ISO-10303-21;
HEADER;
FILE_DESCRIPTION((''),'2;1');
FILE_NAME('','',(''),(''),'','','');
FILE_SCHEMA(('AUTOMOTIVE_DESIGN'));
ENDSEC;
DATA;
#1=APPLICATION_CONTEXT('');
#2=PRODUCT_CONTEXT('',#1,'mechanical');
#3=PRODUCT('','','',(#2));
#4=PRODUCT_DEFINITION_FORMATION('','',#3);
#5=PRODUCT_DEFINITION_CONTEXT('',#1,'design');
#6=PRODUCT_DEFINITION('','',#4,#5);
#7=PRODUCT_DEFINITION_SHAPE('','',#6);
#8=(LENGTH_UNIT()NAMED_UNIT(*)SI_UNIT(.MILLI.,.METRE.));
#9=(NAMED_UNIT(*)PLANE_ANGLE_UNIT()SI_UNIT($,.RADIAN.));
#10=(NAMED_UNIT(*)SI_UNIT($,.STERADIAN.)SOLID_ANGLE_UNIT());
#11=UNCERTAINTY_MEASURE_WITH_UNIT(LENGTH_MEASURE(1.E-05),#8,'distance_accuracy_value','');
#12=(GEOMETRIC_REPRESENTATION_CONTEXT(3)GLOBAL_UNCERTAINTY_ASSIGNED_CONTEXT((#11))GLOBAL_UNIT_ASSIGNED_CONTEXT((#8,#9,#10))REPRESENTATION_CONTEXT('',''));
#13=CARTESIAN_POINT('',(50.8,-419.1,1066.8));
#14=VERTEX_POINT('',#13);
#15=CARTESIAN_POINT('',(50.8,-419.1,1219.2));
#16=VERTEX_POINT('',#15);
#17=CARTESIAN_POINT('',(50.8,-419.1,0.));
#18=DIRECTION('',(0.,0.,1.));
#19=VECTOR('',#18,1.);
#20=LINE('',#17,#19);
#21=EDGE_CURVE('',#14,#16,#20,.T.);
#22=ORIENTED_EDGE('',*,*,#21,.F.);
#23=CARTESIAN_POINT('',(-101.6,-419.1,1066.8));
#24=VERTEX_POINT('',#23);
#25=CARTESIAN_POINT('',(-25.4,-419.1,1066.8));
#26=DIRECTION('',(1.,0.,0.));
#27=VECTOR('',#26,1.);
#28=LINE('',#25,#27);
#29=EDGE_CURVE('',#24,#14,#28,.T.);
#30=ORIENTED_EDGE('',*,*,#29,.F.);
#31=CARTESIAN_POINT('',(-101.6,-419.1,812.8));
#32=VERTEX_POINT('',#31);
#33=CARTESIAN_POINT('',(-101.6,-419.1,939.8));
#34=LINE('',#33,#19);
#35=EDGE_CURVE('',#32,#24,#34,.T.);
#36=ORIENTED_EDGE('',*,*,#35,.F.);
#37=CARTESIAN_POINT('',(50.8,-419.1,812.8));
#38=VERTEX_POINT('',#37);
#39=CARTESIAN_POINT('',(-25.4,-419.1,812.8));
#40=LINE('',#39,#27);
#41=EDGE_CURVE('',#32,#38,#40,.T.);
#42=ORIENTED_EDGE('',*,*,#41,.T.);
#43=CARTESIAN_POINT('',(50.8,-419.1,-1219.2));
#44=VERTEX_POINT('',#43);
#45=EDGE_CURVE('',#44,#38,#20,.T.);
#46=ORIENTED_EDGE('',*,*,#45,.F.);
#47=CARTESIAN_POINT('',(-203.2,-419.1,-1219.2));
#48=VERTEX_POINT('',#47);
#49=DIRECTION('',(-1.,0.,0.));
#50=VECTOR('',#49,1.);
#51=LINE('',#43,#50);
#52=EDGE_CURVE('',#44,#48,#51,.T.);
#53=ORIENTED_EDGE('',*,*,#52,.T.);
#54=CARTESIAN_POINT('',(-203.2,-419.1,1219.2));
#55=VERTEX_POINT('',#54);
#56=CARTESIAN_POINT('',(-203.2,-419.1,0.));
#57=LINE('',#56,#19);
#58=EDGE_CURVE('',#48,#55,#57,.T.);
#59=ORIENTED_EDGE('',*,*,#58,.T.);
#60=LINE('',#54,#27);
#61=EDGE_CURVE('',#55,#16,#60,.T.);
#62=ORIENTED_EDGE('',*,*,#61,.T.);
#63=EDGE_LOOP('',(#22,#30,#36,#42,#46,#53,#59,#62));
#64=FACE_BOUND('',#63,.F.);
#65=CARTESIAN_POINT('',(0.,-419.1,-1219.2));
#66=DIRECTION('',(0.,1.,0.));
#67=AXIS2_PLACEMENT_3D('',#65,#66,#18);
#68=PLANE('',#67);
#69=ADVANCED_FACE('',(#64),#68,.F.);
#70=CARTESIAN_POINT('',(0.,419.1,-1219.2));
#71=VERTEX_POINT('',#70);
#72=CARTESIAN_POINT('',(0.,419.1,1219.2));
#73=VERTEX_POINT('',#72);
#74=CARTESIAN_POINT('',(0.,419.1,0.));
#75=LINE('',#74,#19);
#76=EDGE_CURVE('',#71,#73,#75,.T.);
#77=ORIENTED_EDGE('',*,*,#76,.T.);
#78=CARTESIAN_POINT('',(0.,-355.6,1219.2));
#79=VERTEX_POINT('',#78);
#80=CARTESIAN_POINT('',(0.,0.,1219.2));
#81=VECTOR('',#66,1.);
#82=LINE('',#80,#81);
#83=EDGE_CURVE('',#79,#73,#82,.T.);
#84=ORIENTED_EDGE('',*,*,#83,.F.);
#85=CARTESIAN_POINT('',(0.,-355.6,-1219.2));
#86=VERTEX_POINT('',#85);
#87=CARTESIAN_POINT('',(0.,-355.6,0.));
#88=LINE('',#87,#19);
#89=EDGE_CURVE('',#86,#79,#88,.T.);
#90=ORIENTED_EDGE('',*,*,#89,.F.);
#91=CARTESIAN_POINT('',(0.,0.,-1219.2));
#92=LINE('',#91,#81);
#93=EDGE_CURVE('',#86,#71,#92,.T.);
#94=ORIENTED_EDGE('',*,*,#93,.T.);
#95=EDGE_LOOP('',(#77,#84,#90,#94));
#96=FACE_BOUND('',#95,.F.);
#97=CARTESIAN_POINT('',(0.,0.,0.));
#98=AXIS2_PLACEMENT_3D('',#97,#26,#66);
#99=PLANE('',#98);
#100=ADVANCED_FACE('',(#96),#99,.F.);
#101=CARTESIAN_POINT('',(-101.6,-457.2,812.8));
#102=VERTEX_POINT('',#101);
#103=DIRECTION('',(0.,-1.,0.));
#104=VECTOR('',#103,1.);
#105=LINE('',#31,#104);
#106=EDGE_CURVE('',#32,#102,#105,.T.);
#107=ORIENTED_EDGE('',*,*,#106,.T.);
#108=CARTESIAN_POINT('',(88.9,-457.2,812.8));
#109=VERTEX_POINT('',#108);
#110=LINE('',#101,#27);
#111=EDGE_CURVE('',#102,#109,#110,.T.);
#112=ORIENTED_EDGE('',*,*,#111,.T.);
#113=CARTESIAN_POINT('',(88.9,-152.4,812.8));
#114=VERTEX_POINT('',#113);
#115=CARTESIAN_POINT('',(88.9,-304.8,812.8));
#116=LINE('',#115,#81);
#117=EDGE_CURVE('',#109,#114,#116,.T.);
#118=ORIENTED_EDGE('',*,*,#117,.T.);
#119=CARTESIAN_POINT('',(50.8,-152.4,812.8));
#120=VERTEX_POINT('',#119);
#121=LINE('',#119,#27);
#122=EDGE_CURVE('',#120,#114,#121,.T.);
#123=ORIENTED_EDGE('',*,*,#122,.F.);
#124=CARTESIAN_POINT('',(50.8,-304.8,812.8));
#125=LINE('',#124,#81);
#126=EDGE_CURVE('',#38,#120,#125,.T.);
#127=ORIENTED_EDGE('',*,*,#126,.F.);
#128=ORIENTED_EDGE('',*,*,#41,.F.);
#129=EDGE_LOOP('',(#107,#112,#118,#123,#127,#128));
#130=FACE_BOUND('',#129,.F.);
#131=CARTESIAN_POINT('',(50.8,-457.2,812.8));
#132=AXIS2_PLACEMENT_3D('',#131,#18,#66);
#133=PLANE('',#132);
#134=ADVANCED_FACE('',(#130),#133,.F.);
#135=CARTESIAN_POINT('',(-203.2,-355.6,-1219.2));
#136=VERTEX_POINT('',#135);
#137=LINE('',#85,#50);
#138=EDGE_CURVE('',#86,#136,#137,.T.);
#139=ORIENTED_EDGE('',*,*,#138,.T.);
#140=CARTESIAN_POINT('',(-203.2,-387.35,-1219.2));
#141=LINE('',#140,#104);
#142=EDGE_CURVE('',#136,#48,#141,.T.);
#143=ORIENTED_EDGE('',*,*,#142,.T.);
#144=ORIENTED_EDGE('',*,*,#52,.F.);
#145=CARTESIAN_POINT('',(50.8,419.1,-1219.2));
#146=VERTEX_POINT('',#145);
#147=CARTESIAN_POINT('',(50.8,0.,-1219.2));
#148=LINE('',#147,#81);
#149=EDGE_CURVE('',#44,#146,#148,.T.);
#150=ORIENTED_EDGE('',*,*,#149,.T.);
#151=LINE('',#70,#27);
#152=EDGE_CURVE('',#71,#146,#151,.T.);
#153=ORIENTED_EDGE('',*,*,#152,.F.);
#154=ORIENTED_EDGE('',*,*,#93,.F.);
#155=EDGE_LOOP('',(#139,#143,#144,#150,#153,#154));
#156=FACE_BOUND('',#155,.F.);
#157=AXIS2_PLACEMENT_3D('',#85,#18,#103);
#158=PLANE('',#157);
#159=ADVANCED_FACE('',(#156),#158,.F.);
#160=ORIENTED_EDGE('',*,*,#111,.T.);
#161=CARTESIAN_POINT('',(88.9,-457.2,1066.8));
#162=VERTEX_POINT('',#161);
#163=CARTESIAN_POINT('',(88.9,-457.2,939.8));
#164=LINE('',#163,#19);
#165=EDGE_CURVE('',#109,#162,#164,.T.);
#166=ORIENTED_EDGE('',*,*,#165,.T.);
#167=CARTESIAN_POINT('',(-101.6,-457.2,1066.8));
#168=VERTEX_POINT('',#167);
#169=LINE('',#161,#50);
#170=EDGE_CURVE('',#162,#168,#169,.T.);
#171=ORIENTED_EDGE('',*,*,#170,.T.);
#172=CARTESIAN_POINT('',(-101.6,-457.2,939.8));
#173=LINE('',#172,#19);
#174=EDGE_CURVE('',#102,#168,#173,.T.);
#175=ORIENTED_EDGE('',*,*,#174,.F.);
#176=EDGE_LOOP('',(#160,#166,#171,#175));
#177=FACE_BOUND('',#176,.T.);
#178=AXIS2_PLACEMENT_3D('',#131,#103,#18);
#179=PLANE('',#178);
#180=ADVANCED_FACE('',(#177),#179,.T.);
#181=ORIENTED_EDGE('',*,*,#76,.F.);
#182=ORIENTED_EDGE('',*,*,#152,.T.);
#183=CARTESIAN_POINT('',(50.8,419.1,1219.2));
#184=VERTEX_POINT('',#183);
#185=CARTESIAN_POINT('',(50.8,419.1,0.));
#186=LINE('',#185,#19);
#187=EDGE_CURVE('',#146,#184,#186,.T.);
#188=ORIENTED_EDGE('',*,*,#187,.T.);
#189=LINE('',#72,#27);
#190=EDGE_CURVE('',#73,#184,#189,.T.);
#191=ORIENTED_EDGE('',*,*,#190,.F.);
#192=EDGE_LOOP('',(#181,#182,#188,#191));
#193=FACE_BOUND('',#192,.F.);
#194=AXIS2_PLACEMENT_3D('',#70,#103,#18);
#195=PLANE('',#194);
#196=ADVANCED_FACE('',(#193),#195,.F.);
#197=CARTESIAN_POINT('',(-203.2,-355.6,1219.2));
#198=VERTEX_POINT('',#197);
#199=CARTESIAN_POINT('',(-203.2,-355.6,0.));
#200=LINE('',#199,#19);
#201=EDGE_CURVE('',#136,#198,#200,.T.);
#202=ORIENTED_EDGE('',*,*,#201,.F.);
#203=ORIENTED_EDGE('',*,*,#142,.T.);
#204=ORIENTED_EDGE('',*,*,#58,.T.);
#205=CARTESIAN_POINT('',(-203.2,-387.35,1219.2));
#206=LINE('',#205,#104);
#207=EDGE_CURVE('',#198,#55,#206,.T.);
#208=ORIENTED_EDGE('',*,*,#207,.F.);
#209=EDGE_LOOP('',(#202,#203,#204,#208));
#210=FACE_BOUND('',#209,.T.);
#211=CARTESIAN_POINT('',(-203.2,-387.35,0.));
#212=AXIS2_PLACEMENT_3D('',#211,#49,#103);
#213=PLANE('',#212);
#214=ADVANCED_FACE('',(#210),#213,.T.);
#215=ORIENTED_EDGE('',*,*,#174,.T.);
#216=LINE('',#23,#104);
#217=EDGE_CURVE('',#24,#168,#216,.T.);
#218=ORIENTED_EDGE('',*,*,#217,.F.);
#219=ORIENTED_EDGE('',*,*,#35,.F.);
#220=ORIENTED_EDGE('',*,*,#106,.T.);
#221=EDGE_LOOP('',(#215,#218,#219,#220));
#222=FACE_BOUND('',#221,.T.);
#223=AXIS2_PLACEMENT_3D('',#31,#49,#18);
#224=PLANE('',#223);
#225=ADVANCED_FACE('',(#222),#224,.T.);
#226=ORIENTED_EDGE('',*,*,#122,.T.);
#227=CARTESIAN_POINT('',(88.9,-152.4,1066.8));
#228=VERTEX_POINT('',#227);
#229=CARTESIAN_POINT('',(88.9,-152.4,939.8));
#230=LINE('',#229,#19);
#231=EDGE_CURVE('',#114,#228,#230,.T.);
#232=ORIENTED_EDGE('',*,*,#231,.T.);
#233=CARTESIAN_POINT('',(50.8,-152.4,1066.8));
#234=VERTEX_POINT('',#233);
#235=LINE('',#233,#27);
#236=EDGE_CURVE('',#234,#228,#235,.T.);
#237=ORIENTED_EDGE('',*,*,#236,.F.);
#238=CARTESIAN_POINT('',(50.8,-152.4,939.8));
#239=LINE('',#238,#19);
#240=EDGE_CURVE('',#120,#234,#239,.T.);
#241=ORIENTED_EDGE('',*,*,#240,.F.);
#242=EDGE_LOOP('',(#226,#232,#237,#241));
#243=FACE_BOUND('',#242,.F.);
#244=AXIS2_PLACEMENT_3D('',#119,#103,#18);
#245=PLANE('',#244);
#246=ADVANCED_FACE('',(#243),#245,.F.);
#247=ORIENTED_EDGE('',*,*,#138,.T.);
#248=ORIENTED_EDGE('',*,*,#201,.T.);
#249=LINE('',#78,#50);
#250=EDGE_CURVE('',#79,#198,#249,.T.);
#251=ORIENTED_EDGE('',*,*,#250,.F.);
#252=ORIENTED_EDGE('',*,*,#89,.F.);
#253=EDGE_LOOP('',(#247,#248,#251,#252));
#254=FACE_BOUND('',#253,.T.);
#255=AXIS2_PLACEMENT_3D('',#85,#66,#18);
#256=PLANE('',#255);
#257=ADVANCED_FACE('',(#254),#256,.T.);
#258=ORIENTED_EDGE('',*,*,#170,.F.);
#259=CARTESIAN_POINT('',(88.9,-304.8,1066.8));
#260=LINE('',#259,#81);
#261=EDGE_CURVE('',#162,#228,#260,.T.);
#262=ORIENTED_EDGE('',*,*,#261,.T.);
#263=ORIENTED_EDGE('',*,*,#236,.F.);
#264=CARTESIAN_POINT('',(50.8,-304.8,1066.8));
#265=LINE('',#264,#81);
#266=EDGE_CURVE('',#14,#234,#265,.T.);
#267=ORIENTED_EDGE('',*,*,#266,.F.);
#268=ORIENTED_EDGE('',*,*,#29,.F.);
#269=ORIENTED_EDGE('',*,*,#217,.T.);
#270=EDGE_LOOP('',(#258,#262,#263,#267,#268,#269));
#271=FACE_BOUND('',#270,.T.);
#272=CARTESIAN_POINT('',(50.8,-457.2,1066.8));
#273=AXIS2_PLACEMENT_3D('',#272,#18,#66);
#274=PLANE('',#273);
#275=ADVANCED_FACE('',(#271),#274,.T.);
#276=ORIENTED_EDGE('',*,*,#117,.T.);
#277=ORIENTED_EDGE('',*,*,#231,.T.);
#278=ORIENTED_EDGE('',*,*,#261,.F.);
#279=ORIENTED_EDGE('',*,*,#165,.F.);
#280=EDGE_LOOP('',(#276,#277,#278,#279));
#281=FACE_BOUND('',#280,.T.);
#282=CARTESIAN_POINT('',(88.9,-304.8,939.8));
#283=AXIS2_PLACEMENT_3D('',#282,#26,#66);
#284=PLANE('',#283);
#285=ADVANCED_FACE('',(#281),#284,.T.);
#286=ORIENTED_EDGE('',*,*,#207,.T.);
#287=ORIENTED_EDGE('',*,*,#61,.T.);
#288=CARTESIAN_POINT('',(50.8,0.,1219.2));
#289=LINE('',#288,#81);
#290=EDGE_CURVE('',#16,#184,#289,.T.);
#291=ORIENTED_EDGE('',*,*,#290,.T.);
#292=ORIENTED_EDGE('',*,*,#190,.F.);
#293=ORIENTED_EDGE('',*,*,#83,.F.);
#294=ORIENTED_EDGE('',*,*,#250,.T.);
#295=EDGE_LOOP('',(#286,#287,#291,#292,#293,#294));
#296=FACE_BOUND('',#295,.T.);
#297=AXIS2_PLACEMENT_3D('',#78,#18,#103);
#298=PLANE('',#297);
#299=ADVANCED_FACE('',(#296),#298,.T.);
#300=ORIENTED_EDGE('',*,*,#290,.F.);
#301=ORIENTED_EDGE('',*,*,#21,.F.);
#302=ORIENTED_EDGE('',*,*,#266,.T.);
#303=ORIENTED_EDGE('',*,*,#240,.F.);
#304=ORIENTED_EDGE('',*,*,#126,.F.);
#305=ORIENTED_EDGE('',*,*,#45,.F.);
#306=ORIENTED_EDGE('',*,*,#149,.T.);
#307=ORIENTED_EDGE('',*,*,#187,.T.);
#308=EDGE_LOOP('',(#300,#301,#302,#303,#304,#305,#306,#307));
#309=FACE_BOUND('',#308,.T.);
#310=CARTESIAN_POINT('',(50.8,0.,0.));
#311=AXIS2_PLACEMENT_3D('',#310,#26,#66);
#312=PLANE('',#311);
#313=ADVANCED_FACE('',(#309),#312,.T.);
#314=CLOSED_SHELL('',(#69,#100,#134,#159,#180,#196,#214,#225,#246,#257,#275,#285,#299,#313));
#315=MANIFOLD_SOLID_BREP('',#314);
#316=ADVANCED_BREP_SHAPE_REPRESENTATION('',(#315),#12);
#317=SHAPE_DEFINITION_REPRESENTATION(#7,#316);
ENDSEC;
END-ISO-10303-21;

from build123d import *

# Parameters (mm, degrees)
F0_W     = 838.2
F0_H     = 2438.4
F1_DEPTH = 50.8
F2_W     = 63.5
F2_H     = 2438.4
F3_DEPTH = 203.2
F4_W     = 152.4
F4_H     = 254
F5_DEPTH = 38.1
F6_W     = 304.8
F6_H     = 254
F7_DEPTH = 38.1


with BuildPart() as f1:
    # F0 (on Right) → F1 (new body)
    with BuildSketch(Plane.YZ):
        Rectangle(F0_W, F0_H)
    extrude(amount=F1_DEPTH)

    # F2 (on face) → F3 (join)
    with BuildSketch(Plane(origin=(0, 0, 0), x_dir=(0, -1, 0), z_dir=(-1, 0, 0))):
        with Locations((387.35, 0)):
            Rectangle(F2_W, F2_H)
    extrude(amount=F3_DEPTH)

    # F4 (on face) → F5 (join)
    with BuildSketch(Plane.XZ.offset(419.1)):
        with Locations((-25.4, 939.8)):
            Rectangle(F4_W, F4_H)
    extrude(amount=F5_DEPTH)

    # F6 (on face) → F7 (join)
    with BuildSketch(Plane.YZ.offset(50.8)):
        with Locations((-304.8, 939.8)):
            Rectangle(F6_W, F6_H)
    extrude(amount=F7_DEPTH)


solid = f1.part
